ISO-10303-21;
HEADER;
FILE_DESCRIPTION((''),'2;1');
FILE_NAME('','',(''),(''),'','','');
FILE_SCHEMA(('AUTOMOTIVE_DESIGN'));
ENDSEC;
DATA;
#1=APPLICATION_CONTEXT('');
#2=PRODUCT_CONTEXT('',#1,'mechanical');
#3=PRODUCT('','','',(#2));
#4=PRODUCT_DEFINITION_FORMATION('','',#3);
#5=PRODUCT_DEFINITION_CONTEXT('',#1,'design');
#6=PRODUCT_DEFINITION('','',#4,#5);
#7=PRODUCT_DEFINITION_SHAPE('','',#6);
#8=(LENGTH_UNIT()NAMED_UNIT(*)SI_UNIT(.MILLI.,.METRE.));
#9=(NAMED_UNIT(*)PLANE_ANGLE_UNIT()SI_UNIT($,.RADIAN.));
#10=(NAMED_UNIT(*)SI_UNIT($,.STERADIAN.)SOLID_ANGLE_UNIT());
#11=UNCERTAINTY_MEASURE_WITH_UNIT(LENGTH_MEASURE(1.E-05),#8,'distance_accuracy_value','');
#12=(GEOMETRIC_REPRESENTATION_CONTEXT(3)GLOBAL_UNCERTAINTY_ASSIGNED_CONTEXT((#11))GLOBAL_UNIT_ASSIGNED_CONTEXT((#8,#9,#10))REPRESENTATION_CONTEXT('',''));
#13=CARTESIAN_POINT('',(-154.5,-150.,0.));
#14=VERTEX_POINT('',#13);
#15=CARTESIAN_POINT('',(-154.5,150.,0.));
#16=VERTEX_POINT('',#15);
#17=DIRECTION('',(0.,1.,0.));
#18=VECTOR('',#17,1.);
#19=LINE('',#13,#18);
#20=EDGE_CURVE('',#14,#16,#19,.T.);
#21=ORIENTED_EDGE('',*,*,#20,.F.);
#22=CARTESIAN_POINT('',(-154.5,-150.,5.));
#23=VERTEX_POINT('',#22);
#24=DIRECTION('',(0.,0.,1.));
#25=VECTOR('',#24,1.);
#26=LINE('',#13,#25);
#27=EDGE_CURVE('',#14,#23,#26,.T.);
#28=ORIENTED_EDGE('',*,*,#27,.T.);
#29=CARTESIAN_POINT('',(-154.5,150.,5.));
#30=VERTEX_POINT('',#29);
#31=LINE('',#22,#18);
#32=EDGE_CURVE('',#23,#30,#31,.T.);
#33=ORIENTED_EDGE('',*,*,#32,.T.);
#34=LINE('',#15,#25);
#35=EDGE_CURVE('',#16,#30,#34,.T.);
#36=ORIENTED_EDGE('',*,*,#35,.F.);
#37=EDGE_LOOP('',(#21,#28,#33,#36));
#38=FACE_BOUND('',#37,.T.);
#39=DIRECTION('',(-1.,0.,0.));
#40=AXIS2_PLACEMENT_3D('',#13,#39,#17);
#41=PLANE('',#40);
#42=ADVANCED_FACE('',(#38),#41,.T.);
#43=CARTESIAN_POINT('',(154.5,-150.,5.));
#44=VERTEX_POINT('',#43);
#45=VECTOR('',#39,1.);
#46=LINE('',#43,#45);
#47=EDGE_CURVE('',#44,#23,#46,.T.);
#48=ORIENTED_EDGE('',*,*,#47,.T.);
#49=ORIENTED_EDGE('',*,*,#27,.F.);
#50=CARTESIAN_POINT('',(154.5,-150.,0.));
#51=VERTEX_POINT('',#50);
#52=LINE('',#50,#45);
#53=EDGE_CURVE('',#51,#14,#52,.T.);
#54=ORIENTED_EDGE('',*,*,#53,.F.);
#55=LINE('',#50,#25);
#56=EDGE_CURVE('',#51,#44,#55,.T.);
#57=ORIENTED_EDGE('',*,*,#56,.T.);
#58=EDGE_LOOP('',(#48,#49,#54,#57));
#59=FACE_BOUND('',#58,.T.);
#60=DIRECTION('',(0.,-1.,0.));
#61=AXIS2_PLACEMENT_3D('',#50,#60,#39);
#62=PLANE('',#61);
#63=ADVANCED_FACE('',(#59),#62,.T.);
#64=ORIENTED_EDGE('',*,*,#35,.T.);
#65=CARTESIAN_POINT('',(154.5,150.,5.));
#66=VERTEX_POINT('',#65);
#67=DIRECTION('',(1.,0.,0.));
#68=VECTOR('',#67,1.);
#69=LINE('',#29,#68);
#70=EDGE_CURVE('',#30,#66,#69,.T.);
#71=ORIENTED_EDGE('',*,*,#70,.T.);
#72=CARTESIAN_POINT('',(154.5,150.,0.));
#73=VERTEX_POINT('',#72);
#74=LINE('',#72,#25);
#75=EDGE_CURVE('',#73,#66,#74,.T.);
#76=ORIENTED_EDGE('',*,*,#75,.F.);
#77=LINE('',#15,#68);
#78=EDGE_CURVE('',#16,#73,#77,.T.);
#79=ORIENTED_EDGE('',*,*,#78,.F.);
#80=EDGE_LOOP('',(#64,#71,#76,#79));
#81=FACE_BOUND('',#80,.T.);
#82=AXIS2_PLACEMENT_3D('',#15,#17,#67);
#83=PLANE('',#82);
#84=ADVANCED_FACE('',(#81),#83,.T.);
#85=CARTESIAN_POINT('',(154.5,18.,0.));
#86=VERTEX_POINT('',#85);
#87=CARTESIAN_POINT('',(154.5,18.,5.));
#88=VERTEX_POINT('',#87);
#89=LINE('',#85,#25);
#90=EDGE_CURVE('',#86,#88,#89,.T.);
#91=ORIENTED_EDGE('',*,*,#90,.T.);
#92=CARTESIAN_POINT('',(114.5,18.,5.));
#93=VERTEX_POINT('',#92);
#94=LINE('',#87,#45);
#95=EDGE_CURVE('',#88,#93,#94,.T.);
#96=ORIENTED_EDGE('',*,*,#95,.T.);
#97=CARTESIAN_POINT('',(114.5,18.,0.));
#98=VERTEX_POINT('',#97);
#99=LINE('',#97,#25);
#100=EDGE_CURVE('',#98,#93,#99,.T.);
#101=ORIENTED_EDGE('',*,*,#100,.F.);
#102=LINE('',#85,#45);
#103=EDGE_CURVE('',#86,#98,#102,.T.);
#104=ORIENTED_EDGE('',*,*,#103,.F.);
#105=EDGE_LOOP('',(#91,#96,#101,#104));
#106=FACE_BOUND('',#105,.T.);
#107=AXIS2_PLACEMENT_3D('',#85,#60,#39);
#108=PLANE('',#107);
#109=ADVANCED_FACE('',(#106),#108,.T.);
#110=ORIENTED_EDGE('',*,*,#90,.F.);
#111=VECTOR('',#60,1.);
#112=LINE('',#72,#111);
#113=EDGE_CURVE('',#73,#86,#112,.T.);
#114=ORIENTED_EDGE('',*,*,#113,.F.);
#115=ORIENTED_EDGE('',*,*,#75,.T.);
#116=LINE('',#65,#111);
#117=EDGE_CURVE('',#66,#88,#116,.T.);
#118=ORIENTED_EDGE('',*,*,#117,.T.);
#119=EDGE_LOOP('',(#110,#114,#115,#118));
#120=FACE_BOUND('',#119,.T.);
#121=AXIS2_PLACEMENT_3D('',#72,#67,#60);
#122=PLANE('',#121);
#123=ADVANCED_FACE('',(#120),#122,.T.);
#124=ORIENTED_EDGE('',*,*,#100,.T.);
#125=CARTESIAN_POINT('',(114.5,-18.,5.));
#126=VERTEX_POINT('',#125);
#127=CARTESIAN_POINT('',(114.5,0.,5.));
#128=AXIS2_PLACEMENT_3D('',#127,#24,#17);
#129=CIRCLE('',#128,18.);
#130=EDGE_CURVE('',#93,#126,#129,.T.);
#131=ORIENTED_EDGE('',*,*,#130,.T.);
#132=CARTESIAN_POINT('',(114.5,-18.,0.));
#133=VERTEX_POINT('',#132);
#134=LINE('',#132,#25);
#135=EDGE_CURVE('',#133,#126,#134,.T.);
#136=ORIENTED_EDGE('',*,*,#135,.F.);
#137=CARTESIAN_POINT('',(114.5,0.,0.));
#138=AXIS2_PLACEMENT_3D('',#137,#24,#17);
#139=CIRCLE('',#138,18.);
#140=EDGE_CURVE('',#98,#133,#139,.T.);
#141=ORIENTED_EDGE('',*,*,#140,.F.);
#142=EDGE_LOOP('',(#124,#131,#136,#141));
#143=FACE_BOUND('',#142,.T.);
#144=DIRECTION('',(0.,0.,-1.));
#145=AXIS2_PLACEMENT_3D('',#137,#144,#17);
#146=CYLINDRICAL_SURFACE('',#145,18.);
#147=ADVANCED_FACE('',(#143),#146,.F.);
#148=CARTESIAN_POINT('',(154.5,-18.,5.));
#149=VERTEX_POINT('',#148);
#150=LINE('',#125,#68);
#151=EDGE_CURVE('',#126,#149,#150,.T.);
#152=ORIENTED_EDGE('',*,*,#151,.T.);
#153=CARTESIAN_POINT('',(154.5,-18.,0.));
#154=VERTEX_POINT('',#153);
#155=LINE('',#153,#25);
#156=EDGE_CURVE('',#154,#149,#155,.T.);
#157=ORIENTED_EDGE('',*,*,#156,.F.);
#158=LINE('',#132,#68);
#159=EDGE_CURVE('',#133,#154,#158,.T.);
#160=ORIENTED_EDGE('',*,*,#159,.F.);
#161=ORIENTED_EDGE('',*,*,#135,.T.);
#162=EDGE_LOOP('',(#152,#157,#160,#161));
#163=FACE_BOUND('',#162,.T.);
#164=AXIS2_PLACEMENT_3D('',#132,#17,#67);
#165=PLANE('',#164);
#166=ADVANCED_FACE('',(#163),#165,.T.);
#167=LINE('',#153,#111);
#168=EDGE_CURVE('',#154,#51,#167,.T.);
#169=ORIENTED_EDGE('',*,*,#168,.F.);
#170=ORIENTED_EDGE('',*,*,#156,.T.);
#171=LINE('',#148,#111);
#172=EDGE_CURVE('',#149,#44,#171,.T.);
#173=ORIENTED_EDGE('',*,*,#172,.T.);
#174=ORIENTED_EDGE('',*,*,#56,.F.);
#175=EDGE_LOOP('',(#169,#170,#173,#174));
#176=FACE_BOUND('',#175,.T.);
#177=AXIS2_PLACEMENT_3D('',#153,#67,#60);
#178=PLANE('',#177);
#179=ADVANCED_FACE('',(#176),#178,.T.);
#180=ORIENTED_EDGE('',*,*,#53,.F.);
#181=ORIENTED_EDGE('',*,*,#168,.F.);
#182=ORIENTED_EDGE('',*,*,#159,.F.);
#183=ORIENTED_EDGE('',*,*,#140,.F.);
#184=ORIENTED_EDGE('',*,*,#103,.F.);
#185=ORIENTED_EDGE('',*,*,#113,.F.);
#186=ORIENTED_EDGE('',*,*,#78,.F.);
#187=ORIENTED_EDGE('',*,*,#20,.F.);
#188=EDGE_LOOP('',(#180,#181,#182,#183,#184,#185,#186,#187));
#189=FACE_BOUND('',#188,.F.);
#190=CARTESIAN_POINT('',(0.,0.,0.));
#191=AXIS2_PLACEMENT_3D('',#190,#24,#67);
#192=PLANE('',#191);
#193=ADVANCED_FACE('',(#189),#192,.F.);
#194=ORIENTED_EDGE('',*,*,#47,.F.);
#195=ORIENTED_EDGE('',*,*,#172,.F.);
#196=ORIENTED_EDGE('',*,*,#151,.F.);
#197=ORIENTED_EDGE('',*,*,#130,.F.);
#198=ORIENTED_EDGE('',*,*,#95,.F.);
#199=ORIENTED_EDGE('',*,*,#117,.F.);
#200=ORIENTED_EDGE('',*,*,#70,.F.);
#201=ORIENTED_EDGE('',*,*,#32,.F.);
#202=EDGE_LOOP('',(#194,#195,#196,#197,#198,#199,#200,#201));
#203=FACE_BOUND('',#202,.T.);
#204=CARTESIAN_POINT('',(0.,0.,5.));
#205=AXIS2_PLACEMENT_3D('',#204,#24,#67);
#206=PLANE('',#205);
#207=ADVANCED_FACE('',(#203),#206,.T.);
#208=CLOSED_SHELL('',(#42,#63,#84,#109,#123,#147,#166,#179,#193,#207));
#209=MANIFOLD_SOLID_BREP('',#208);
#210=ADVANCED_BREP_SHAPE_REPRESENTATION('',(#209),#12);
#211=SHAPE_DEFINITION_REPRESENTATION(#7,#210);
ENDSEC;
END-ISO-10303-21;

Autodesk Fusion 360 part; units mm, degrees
sketch "Sketch1" plane through (0, 0, 0) normal (0, 0, 1) x (1, 0, 0)
  line L0 (-154.5, 150) -> (154.5, 150)
  line L1 (154.5, -150) -> (-154.5, -150)
  line L2 (-154.5, -150) -> (-154.5, 150)
  line L3 (-154.5, 150) -> (154.5, -150) construction
  line L4 (154.5, 18) -> (114.5, 18)
  line L5 (114.5, -18) -> (154.5, -18)
  arc A0 (114.5, 18) -> (114.5, -18) centre (114.5, 0) ccw
  line L6 (154.5, 150) -> (154.5, 18)
  line L7 (154.5, -18) -> (154.5, -150)
  dimension "d1" = 309
  dimension "d2" = 300
  dimension "d6" = 36
  dimension "d7" = 40
  dimension "d8" = 150
extrude "Extrude1" add sketch "Sketch1" along normal blind 5
